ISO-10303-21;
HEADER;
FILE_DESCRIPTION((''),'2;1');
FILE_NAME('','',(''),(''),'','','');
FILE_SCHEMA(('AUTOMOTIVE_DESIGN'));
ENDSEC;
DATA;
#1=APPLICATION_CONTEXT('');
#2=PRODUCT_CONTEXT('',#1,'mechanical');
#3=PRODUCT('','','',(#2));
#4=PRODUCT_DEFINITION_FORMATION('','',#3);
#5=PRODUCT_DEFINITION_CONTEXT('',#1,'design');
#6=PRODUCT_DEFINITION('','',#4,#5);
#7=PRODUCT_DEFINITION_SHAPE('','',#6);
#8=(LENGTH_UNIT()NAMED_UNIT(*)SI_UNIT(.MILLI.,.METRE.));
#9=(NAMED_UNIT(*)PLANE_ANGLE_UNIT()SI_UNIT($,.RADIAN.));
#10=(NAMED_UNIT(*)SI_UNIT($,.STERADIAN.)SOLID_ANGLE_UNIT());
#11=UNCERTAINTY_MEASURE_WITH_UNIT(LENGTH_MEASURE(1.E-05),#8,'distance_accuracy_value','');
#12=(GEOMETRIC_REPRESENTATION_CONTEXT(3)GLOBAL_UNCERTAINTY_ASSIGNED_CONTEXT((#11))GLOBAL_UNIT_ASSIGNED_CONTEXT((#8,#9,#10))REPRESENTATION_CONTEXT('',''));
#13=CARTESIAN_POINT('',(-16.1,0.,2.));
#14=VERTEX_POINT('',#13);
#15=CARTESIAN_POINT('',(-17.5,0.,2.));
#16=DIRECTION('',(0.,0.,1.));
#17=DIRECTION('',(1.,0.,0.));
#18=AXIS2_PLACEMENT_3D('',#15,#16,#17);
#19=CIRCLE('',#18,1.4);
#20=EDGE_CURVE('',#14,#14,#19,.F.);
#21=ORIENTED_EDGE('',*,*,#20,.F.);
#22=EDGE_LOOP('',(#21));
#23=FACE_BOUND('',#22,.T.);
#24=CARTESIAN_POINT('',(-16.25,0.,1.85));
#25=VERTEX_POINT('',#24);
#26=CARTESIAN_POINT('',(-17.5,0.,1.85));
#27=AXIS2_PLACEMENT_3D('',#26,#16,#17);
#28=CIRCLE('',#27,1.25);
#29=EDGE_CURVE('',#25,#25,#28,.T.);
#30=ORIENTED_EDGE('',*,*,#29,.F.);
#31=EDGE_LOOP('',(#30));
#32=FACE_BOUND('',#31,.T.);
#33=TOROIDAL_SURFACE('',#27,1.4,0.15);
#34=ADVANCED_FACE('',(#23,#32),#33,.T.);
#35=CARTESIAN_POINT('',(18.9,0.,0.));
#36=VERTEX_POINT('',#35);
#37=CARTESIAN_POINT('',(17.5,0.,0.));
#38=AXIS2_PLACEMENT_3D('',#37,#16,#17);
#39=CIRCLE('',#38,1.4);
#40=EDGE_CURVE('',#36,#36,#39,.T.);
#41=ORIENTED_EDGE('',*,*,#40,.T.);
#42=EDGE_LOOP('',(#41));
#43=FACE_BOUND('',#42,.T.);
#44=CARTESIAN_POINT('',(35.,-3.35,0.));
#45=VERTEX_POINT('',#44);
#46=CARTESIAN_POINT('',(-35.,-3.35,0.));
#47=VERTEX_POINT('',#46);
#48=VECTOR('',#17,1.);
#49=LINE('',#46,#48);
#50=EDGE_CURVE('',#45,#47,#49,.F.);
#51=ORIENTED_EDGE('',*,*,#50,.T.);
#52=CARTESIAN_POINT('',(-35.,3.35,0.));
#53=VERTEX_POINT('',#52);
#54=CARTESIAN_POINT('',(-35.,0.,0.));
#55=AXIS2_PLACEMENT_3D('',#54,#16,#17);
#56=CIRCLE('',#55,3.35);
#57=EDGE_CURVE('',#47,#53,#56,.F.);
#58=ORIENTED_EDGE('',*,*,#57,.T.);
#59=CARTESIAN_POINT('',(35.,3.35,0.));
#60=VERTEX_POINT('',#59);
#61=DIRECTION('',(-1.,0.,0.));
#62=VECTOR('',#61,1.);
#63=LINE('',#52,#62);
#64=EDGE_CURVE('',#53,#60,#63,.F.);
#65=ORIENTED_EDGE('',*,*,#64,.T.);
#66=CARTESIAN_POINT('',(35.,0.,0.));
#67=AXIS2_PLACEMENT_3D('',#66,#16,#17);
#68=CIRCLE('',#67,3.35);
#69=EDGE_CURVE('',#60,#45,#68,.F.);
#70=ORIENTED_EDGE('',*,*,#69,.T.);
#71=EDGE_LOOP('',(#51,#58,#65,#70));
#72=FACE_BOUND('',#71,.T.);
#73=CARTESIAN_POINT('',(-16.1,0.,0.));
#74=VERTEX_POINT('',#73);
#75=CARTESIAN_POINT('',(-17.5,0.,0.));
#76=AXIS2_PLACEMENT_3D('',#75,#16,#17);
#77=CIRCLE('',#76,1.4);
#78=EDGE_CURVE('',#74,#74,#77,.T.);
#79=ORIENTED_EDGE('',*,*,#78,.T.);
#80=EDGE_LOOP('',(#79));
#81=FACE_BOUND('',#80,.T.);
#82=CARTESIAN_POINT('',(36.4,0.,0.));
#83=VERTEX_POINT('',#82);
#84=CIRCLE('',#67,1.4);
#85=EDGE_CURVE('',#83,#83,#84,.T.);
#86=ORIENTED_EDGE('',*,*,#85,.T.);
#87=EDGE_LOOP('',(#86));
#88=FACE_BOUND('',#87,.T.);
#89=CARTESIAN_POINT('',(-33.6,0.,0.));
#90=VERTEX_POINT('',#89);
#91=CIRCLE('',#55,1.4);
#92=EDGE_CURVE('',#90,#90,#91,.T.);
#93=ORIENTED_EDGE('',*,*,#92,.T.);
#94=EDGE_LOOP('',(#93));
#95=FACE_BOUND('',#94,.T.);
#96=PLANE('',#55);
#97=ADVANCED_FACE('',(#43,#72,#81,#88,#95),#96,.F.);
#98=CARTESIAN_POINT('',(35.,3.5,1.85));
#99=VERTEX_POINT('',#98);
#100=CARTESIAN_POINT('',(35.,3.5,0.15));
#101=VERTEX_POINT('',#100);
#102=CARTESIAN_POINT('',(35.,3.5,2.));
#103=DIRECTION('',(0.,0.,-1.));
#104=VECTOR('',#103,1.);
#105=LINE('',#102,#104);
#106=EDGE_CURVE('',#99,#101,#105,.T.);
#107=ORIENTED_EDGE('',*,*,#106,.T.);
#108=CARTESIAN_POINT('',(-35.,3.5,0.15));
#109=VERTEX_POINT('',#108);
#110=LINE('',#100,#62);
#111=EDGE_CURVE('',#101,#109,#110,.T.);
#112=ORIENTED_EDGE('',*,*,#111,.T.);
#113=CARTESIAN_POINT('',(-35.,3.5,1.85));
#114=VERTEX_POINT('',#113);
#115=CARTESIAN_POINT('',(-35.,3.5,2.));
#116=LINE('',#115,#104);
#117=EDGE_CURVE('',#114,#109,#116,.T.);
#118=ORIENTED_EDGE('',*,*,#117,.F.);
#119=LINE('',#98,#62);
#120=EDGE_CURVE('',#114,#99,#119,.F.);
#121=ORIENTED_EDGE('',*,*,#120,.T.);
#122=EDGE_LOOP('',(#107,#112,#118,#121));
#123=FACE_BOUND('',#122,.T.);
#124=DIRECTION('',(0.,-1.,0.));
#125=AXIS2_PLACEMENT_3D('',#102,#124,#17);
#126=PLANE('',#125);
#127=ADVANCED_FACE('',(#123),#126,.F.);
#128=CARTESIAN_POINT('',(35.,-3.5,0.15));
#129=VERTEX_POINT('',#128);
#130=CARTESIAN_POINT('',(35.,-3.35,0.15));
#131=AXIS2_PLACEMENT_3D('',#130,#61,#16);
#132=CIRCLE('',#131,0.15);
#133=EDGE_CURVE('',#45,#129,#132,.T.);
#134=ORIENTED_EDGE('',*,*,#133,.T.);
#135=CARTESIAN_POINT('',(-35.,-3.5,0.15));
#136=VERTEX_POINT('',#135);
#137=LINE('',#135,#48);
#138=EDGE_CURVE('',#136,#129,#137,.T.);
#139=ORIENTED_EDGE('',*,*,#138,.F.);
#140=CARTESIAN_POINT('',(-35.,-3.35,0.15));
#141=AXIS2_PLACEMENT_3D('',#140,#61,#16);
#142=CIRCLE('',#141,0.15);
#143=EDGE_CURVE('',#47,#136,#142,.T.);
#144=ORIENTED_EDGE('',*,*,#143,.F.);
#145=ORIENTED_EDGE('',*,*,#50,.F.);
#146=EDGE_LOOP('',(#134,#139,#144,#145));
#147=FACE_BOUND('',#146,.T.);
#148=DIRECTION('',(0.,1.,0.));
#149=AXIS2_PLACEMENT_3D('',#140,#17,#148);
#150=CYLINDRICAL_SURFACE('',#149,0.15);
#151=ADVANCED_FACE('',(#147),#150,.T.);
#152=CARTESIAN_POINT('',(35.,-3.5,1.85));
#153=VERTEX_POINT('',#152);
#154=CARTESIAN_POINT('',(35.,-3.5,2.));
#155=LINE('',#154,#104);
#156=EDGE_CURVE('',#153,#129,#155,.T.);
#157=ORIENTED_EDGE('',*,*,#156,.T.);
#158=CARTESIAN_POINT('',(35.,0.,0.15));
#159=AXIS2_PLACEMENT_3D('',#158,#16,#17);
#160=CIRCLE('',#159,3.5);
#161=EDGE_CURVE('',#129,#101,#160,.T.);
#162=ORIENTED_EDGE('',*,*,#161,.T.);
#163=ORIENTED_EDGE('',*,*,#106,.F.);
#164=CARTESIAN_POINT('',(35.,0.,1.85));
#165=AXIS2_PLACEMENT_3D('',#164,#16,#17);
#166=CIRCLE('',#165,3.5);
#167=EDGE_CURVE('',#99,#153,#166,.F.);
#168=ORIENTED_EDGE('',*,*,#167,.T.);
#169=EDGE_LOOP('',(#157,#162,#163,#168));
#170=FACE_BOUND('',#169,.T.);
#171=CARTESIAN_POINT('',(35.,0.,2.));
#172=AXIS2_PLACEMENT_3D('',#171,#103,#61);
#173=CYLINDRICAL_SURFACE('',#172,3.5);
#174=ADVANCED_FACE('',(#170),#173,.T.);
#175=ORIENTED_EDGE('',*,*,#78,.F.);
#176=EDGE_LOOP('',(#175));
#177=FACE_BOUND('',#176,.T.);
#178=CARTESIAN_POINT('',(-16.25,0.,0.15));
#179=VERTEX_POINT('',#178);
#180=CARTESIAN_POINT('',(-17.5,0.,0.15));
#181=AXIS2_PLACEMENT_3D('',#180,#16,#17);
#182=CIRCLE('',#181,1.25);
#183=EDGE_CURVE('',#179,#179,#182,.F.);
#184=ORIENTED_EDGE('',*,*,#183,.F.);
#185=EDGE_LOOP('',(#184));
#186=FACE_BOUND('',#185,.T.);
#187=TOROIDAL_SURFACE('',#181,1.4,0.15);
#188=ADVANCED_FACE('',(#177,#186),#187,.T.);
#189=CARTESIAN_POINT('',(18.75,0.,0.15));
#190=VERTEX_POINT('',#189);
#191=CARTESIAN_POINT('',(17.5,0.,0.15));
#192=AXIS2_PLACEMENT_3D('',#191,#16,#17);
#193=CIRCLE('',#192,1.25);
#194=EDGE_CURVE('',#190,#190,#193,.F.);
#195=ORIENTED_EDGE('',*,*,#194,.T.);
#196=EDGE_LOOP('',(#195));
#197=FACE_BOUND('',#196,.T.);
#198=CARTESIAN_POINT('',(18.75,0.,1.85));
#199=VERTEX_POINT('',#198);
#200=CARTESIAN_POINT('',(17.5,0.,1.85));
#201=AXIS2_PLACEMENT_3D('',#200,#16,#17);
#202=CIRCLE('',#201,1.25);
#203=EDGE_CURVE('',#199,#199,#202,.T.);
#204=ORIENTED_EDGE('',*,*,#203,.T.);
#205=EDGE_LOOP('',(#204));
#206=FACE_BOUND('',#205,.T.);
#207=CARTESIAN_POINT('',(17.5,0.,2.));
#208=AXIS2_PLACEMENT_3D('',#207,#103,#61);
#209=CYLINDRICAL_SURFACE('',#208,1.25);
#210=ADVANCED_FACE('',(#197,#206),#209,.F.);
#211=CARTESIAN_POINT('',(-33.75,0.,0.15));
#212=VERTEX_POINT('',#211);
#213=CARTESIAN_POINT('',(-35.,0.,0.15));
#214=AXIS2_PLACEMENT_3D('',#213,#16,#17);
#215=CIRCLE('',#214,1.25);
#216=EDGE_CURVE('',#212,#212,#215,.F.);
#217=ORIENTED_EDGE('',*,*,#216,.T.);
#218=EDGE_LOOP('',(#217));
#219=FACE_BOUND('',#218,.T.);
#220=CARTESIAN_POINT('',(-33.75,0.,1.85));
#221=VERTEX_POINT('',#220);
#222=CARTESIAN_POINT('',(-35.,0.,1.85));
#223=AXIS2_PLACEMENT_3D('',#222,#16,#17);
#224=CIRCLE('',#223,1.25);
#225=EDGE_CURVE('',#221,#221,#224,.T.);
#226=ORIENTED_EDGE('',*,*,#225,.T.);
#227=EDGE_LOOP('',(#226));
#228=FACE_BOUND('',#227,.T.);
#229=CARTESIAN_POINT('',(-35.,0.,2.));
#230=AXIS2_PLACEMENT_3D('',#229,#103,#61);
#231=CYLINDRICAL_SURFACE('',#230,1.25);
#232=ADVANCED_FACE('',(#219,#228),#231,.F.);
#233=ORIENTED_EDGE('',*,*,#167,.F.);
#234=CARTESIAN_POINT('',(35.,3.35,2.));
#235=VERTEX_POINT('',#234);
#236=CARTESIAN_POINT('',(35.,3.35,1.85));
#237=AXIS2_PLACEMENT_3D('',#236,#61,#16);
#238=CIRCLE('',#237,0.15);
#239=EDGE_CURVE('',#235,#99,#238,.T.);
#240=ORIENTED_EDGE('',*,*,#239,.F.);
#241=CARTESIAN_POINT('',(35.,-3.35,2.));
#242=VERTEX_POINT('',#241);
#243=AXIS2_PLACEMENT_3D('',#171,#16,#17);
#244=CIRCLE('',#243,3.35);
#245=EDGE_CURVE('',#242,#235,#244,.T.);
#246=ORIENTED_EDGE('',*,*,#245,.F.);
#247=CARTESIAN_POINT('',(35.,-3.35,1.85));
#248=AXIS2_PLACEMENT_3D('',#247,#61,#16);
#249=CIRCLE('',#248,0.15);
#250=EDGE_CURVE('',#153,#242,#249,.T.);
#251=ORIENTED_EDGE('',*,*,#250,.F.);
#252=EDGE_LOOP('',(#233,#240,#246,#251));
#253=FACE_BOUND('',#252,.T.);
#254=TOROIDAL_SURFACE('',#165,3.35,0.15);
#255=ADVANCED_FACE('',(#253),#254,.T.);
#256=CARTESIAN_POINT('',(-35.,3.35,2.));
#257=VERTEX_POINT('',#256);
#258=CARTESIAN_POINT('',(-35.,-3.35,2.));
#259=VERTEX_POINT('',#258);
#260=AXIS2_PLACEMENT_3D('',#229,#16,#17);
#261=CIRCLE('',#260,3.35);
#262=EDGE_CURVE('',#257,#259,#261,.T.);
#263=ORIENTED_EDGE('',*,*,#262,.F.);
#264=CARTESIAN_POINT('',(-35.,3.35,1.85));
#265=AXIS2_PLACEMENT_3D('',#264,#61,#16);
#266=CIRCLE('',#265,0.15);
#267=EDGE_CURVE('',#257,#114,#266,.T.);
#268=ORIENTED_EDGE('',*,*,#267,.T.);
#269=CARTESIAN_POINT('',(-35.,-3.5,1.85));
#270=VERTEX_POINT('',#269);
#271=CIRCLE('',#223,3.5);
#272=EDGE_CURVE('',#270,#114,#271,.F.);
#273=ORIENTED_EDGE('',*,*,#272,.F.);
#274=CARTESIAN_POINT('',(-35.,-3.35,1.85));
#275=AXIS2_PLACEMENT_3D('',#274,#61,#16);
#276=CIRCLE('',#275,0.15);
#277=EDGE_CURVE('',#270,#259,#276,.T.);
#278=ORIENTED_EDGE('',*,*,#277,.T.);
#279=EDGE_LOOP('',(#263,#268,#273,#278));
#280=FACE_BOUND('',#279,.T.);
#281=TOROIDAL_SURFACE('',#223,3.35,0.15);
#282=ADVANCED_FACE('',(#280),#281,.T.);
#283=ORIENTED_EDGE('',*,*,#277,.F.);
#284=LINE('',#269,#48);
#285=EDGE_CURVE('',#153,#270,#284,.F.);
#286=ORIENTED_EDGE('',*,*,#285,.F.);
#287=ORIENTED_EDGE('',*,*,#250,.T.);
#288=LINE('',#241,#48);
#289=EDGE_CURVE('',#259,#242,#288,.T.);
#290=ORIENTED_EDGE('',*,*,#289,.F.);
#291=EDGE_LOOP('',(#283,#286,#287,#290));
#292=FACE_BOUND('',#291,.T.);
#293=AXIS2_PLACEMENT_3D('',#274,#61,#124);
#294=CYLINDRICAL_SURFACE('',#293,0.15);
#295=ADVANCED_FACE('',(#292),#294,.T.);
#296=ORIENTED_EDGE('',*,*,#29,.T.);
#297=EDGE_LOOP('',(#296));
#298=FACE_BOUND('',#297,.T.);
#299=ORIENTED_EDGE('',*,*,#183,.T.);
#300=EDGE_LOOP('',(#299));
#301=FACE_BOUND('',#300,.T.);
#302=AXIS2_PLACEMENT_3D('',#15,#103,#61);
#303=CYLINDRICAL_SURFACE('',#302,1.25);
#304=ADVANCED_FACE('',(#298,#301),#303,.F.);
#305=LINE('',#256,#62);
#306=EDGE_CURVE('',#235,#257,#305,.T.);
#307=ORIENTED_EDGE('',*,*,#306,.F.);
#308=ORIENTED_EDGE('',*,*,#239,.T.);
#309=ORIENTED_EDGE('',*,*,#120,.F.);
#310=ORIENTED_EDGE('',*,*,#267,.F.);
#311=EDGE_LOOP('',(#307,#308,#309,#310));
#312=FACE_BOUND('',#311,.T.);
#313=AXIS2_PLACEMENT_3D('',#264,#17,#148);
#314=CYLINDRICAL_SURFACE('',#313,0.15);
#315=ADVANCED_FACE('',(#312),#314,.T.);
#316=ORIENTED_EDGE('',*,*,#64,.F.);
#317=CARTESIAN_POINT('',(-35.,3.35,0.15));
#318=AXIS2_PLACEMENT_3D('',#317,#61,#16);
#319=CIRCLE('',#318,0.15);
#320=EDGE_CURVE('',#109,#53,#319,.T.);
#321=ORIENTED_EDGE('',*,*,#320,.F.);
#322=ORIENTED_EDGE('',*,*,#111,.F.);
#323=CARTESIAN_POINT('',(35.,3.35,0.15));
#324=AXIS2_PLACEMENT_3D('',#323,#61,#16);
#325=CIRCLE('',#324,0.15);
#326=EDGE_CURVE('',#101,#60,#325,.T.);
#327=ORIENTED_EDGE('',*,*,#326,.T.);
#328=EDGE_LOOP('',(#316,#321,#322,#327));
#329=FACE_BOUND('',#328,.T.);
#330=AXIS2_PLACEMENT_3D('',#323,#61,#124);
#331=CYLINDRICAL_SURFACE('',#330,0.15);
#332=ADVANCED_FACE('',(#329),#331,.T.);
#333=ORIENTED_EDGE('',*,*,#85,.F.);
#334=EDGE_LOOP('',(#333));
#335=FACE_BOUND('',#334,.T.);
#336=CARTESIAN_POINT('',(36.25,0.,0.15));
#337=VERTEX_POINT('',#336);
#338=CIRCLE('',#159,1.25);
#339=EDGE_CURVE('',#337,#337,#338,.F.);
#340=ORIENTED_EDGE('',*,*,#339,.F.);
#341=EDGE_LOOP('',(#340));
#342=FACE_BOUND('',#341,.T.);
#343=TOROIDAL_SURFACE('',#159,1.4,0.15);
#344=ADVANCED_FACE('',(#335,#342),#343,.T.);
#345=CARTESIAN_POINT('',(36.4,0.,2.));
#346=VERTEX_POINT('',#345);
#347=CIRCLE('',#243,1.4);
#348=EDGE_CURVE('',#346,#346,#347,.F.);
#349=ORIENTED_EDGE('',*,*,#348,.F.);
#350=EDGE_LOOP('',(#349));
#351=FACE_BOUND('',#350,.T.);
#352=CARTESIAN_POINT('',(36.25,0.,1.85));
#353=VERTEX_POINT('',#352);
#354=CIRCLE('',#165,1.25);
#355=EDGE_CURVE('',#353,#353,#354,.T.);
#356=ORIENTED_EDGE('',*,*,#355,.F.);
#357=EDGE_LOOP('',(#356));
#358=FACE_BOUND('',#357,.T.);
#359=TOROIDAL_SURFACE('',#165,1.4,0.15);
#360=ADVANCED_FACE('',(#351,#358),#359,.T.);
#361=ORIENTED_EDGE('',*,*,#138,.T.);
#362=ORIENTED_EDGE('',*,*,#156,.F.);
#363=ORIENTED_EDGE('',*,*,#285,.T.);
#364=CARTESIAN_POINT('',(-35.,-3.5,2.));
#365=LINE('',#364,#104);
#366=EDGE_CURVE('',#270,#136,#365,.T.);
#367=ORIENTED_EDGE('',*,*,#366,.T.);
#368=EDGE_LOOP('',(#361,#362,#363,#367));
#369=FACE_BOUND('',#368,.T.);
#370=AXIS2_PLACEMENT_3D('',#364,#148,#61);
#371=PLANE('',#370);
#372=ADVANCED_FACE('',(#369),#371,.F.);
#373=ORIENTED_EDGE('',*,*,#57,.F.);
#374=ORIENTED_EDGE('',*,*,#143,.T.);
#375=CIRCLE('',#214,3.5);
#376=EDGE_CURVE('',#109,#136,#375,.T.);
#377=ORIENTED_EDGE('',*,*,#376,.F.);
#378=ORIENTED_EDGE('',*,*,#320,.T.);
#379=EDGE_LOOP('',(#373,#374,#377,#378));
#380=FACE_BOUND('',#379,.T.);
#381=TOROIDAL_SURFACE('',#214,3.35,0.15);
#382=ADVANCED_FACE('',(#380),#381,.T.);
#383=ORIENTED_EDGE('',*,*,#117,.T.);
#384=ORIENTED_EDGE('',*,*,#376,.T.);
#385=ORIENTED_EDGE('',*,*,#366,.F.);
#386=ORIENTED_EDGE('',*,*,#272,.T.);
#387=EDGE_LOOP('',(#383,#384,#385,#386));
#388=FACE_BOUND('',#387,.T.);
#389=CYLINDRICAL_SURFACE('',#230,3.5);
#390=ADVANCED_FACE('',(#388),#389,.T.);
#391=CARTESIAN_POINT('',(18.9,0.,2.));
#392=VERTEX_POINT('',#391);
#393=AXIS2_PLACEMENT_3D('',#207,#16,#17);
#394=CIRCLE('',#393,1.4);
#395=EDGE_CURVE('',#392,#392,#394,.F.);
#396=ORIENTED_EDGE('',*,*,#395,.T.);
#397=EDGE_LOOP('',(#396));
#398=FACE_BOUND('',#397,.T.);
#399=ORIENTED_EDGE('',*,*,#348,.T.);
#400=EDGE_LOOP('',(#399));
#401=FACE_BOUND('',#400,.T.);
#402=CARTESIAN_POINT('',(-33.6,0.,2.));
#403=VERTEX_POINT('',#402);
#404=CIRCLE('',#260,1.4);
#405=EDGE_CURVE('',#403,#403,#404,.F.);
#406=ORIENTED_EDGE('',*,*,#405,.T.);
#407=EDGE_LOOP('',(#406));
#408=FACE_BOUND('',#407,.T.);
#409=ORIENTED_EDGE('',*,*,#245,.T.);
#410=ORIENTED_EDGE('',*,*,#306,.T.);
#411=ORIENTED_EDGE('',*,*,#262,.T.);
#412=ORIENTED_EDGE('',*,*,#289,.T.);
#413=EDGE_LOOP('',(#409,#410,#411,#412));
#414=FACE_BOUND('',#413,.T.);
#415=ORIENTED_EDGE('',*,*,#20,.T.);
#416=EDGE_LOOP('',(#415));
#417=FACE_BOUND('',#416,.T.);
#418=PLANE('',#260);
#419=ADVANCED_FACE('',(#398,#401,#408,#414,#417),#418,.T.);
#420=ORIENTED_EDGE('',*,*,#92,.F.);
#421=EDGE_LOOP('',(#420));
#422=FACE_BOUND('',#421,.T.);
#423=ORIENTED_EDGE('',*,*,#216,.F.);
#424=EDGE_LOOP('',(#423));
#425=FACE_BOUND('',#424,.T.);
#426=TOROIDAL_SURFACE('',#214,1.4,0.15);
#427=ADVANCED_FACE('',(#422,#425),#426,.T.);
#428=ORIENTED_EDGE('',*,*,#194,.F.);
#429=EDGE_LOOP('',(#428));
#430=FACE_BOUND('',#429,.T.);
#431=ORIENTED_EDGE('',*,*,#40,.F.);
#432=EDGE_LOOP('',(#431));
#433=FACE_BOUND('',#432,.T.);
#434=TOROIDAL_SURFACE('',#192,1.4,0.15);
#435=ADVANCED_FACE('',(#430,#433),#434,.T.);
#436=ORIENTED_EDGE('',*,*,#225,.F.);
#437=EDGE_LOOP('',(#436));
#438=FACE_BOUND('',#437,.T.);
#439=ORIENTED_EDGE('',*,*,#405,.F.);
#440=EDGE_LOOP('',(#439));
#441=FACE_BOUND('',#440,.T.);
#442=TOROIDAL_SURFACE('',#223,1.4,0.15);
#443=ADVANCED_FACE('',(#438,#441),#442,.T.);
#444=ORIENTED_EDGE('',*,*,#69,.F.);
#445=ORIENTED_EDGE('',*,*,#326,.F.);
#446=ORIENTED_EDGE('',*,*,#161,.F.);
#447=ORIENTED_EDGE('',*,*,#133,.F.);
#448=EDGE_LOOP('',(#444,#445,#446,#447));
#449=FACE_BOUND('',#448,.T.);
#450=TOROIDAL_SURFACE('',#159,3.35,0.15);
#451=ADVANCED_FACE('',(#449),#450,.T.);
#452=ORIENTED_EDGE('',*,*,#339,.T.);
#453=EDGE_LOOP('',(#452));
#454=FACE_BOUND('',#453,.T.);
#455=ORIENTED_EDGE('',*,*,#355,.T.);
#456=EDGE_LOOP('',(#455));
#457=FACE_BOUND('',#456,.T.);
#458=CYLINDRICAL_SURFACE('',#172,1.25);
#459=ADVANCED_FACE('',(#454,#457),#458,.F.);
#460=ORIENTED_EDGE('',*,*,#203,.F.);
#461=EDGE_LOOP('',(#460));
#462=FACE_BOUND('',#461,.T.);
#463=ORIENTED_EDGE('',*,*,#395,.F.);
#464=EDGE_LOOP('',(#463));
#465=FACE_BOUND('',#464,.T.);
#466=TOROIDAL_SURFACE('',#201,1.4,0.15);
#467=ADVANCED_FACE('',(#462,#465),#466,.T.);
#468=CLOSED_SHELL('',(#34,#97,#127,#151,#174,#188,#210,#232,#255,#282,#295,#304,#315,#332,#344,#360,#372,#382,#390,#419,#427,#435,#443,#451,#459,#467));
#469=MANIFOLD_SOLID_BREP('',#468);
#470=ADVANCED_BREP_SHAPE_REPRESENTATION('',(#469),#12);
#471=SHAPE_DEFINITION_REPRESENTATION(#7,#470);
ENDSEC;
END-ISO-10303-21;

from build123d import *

# Parameters (mm, degrees)
SKETCH1_R           = 1.25
BOSS_EXTRUDE1_DEPTH = 2
FILLET1_R           = 0.15


with BuildPart() as part:
    # Sketch1 → Boss-Extrude1 (new body)
    with BuildSketch(Plane.XY):
        with BuildLine():
            Line((35, 3.5), (-35, 3.5))
            ThreePointArc((-35, 3.5), (-38.5, 0), (-35, -3.5))
            Line((-35, -3.5), (35, -3.5))
            ThreePointArc((35, -3.5), (38.5, 0), (35, 3.5))
        make_face()
        with Locations((-17.5, 0)):
            Circle(SKETCH1_R, mode=Mode.SUBTRACT)
        with Locations((-35, 0)):
            Circle(SKETCH1_R, mode=Mode.SUBTRACT)
        with Locations(Location((35, 0, 0), (0, 0, 180))):
            Circle(SKETCH1_R, mode=Mode.SUBTRACT)
        with Locations(Location((17.5, 0, 0), (0, 0, 180))):
            Circle(SKETCH1_R, mode=Mode.SUBTRACT)
    extrude(amount=BOSS_EXTRUDE1_DEPTH)

    # Fillet1
    fillet1_edges = [part.edges().sort_by_distance(p)[0] for p in [
        (-18.75, 0, 0),
        (-18.75, 0, 2),
        (38.5, 0, 2),
        (-36.25, 0, 0),
        (-36.25, 0, 2),
        (0, 3.5, 2),
        (36.25, 0, 0),
        (36.25, 0, 2),
        (18.75, 0, 0),
        (18.75, 0, 2),
        (-38.5, 0, 2),
        (0, 3.5, 0),
        (38.5, 0, 0),
        (0, -3.5, 0),
        (-38.5, 0, 0),
        (0, -3.5, 2),
    ]]
    fillet(fillet1_edges, radius=FILLET1_R)


solid = part.part
